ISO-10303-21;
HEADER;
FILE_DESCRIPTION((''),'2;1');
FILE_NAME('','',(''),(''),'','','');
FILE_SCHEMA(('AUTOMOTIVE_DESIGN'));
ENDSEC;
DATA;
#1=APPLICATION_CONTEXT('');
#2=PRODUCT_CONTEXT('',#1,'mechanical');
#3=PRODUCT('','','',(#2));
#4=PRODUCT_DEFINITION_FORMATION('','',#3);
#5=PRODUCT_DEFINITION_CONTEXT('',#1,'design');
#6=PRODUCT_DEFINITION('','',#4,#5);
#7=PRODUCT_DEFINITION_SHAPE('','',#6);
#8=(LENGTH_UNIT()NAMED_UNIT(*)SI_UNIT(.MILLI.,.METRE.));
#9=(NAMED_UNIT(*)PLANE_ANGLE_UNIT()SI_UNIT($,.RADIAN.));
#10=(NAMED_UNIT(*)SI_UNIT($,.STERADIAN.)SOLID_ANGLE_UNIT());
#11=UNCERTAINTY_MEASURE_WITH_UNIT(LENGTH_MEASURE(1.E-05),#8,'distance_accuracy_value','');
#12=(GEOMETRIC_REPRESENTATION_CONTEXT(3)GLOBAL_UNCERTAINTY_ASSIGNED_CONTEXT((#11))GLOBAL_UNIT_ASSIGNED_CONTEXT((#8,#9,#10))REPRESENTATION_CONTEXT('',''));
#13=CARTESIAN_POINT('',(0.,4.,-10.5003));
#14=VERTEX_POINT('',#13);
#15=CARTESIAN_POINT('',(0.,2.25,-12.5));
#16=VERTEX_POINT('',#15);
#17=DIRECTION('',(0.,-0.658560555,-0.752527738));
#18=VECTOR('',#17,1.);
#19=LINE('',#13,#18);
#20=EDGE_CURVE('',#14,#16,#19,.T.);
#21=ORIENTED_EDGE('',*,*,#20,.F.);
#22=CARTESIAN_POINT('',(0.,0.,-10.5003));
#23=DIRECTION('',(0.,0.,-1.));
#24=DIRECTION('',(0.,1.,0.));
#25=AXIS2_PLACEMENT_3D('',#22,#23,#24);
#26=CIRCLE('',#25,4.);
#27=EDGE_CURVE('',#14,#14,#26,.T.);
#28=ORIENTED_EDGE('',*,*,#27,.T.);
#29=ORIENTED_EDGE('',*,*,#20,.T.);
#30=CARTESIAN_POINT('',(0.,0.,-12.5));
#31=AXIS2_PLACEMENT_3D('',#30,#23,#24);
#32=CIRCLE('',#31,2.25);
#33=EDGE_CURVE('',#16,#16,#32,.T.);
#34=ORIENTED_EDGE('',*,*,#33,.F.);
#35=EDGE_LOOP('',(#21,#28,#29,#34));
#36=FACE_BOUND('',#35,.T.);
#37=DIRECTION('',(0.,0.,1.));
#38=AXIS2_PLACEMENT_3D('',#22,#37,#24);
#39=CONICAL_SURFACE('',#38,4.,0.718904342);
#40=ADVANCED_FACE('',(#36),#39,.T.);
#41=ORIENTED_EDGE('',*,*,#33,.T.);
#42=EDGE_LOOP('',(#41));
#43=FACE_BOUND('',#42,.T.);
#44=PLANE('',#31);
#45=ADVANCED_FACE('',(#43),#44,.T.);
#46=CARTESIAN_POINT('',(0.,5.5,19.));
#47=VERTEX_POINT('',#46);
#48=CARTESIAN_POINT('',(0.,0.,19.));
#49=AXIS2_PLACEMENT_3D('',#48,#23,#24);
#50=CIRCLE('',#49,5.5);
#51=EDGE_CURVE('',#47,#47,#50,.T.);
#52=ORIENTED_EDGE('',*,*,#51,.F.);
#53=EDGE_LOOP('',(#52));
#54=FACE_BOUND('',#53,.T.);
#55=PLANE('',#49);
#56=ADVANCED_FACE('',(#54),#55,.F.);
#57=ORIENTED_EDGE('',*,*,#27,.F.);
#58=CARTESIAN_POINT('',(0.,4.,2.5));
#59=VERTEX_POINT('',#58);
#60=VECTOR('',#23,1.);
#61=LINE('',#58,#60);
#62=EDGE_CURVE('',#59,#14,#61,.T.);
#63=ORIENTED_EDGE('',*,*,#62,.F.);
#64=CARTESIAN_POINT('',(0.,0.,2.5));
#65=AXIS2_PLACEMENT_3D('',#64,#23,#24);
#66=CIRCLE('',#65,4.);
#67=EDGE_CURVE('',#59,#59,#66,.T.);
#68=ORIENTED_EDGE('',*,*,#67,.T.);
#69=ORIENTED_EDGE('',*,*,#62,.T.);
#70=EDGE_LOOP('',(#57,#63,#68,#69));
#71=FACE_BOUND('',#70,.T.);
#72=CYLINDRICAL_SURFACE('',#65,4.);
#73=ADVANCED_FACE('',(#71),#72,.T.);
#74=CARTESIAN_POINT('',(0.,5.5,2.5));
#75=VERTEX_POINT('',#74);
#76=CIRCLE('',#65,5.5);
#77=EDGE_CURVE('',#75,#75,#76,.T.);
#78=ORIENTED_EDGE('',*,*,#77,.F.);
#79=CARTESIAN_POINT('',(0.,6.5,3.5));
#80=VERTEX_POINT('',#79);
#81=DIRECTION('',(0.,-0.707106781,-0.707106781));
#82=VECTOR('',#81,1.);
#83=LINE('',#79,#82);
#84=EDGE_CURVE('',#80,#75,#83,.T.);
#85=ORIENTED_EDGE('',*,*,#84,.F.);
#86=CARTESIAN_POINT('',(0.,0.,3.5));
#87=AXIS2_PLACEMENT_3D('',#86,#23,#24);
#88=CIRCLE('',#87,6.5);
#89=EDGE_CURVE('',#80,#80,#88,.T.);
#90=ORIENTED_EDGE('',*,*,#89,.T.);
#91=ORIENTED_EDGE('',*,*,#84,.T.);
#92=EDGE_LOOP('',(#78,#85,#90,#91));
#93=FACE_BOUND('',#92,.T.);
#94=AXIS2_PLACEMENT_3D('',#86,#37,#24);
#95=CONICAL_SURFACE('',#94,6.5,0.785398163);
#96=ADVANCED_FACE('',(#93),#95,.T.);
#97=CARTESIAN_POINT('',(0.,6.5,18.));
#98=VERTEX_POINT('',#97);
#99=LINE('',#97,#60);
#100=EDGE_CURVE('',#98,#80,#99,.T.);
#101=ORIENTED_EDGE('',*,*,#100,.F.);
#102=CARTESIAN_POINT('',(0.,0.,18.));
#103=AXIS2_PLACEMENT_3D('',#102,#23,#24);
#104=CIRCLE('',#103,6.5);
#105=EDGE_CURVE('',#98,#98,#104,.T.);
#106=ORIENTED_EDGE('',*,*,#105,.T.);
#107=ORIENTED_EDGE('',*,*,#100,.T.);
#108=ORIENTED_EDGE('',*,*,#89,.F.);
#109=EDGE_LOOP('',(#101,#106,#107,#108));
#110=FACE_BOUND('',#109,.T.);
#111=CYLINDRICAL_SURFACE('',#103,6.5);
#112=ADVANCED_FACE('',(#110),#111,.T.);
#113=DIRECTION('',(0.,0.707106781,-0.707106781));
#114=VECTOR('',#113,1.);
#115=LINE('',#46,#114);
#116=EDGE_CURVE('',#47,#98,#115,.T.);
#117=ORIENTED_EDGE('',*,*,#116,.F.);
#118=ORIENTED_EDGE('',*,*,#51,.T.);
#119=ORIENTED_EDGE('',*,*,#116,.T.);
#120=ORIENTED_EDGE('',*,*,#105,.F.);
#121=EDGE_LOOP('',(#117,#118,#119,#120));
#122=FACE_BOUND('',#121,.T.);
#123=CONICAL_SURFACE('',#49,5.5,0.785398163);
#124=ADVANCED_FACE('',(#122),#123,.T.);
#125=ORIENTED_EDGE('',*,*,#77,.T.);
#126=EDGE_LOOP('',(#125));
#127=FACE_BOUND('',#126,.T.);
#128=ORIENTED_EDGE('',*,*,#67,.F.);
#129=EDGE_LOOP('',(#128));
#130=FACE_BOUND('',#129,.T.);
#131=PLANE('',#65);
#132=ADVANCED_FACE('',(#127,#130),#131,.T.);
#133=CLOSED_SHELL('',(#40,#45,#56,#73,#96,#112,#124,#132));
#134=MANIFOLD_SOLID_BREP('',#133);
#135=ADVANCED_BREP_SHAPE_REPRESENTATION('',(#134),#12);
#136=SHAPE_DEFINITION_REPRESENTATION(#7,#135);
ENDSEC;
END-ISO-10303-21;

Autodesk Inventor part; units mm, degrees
sketch "Sketch_1" plane through (0, 0, 0) normal (1, 0, 0) x (0, 0, -1)
  line L0 (12.5, 0) -> (-19, 0)
  line L1 (-19, 0) -> (-19, 5.5)
  line L2 (-19, 5.5) -> (-18, 6.5)
  line L3 (-18, 6.5) -> (-3.5, 6.5)
  line L4 (-3.5, 6.5) -> (-2.5, 5.5)
  line L5 (-2.5, 5.5) -> (-2.5, 4)
  line L6 (-2.5, 4) -> (10.5003, 4)
  line L7 (10.5003, 4) -> (12.5, 2.25)
  line L8 (12.5, 2.25) -> (12.5, 0)
  line L9 (12.5, 0) -> (-19, 0)
revolve "Revolution1" add sketch "Sketch_1" angle 360 about axis through (0, 0, -12.5) along (0, 0, -1)
thread "Thread1" size "M8x1.25" class "6g" standard "ISO Metric profile" full length
ref_plane "P4_XY" through (0, 0, 0) normal (0, 0, 1) x (1, 0, 0)
ref_plane "P4_YZ" through (0, 0, 0) normal (1, 0, 0) x (0, 1, 0)
ref_plane "P4_ZX" through (0, 0, 0) normal (0, 1, 0) x (0, 0, 1)
properties part number "8617.540_P4"
